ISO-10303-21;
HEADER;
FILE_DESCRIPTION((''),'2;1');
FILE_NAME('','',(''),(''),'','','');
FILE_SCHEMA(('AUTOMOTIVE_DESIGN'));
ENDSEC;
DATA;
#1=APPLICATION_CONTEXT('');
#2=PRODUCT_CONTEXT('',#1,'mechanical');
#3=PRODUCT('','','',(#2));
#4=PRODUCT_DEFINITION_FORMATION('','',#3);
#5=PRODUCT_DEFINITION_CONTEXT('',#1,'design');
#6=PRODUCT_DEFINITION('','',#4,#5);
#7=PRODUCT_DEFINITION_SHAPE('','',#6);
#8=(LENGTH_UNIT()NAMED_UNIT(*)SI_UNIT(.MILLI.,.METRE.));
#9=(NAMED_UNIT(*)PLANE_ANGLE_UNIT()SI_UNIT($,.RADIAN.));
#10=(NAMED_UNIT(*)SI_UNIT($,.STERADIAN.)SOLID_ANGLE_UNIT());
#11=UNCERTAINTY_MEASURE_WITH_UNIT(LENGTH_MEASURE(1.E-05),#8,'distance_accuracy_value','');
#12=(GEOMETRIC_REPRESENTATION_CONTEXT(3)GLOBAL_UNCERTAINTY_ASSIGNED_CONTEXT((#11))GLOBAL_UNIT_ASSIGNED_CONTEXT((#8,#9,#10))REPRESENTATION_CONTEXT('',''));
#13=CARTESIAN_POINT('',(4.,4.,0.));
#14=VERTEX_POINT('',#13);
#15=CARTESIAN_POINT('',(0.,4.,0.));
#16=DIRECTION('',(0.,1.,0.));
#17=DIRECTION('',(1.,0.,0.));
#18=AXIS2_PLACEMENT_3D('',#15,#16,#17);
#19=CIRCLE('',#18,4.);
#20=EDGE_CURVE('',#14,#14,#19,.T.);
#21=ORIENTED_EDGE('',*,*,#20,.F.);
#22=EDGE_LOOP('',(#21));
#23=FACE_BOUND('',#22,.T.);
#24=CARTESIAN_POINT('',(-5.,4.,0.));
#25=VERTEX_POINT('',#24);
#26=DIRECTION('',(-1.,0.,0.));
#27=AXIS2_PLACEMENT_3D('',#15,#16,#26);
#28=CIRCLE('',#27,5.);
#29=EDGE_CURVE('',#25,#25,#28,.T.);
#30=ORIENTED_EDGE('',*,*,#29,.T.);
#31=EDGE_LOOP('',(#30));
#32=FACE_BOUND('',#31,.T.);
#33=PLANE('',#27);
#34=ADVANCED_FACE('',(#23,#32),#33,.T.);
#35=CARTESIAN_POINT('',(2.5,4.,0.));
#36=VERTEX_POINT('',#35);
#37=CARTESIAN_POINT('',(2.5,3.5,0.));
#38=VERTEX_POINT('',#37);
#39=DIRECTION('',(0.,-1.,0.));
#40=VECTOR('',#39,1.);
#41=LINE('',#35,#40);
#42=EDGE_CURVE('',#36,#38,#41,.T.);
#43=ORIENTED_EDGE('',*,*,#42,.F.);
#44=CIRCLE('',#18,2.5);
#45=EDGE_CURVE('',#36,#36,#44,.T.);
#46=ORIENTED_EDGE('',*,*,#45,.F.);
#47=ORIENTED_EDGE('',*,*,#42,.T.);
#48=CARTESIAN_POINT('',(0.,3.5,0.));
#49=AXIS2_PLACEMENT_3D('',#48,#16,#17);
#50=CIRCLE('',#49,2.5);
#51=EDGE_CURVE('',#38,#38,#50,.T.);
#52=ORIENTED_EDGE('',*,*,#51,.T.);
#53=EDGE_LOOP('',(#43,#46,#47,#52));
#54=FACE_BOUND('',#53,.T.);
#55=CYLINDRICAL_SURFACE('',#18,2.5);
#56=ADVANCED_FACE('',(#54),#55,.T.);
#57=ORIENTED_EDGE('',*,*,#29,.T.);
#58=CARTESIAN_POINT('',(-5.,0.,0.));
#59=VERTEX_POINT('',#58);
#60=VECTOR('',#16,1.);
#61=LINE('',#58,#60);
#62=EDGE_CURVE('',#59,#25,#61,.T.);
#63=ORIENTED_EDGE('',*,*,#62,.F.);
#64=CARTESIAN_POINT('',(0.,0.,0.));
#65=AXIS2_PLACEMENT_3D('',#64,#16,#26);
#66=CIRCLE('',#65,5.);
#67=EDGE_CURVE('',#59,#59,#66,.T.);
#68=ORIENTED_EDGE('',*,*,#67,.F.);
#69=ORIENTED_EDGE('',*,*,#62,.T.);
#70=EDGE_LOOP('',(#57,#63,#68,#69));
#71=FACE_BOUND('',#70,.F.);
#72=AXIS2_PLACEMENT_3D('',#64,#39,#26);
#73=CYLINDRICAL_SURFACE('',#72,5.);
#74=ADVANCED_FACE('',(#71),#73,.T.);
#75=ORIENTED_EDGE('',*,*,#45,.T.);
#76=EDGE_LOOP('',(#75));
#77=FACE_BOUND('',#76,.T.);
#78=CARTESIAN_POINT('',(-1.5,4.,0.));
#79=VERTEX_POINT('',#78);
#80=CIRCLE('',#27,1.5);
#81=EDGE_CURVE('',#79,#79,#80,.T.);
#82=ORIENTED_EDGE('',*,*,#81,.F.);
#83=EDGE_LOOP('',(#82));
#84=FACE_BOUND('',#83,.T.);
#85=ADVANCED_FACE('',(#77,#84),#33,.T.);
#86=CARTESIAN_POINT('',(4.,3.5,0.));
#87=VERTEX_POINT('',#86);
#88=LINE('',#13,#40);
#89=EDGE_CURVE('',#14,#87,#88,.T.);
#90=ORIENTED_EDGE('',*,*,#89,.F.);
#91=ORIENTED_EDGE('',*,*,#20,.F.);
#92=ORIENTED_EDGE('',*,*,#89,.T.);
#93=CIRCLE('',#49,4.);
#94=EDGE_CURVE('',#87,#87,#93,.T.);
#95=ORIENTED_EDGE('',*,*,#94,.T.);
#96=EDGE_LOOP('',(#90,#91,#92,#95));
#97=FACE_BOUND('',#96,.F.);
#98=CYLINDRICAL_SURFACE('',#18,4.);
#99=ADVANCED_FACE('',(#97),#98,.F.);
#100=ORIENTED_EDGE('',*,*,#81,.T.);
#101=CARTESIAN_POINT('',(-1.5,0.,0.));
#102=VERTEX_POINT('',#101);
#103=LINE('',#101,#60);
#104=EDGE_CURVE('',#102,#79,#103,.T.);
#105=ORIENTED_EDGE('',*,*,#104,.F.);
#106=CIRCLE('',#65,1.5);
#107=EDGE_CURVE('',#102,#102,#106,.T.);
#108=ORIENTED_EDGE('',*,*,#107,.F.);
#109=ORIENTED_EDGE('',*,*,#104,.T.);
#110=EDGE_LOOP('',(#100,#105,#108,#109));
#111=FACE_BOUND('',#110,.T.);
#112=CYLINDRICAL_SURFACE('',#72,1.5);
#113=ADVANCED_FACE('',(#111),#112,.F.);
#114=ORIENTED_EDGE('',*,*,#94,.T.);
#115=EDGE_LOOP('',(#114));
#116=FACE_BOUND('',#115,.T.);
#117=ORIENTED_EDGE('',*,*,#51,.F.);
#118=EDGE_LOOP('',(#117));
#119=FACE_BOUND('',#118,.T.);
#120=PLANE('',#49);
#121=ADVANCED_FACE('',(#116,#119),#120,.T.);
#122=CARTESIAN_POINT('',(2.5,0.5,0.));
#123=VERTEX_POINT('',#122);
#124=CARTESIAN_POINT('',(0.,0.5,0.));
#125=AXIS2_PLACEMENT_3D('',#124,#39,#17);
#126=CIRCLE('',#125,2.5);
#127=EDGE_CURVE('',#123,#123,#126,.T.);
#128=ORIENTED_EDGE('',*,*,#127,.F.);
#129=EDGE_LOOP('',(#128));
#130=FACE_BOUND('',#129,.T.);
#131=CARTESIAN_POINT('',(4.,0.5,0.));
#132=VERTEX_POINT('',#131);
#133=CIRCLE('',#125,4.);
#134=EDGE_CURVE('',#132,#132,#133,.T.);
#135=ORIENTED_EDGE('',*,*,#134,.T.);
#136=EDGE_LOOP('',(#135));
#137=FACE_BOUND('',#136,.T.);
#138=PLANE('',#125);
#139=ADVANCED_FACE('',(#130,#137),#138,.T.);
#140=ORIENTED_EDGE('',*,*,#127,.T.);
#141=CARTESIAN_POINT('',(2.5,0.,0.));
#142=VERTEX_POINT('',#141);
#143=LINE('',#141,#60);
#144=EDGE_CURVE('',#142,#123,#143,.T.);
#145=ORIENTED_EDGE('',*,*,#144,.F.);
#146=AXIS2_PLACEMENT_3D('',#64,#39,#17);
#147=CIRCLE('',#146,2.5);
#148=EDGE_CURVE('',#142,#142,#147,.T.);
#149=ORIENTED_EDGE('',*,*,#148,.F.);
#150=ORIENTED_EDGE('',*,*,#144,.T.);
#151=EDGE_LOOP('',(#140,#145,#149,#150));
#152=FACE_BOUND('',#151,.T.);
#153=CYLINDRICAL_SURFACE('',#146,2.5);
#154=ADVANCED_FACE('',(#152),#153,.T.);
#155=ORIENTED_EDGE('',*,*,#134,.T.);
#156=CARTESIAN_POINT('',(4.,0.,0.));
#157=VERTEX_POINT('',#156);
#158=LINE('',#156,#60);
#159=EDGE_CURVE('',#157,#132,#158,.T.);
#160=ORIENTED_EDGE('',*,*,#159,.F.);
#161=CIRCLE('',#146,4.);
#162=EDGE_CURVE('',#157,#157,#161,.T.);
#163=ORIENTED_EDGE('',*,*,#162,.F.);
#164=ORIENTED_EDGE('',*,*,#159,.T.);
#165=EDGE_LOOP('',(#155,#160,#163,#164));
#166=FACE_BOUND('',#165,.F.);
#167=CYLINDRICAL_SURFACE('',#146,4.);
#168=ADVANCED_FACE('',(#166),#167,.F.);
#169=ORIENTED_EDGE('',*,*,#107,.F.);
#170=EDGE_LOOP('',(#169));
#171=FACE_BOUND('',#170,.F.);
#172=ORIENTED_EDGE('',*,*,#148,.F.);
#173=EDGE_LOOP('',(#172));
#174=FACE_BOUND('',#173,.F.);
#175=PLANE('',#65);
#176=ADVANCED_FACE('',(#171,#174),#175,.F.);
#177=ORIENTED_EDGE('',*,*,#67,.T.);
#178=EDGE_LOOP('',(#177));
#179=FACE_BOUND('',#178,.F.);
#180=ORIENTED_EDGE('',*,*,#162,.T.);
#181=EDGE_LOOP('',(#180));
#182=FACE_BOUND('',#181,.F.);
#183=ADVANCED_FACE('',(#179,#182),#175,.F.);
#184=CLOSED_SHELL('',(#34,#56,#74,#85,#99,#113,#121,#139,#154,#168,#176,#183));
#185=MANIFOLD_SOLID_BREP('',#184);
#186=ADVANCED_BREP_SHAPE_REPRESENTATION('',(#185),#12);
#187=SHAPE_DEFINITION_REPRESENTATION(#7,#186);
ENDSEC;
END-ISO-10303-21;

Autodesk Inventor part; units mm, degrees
ref_plane "YZ Plane" through (0, 0, 0) normal (1, 0, 0) x (0, 1, 0)
ref_plane "XZ Plane" through (0, 0, 0) normal (0, 1, 0) x (-1, 0, 0)
ref_plane "XY Plane" through (0, 0, 0) normal (0, 0, 1) x (1, 0, 0)
sketch "Sketch1" plane through (0, 0, 0) normal (0, 1, 0) x (-1, 0, 0)
  circle A0 centre (0, 0) radius 5
  circle A1 centre (0, 0) radius 1.5
  dimension "d0" = 3
  dimension "d1" = 10
extrude "Extrusion1" add sketch "Sketch1" along normal blind 4
sketch "Sketch2" plane through (0, 4, 0) normal (0, 1, 0) x (1, 0, 0)
  circle A0 centre (0, 0) radius 5 projected
  circle A1 centre (0, 0) radius 1.5 projected
  circle A2 centre (0, 0) radius 1.5 projected
  circle A3 centre (0, 0) radius 4
  circle A4 centre (0, 0) radius 2.5
  dimension "d4" = 1
  dimension "d5" = 1
extrude "Extrusion2" cut sketch "Sketch2" against normal blind 0.5 contours A3
sketch "Sketch3" plane through (0, 0, 0) normal (0, -1, 0) x (1, 0, 0)
  circle A0 centre (0, 0) radius 5 projected
  circle A1 centre (0, 0) radius 1.5 projected
  circle A2 centre (0, 0) radius 2.5
  circle A3 centre (0, 0) radius 4
  dimension "d8" = 1
  dimension "d9" = 1
extrude "Extrusion3" cut sketch "Sketch3" against normal blind 0.5 contours A3
properties part number "bearing_d3D10b4"
